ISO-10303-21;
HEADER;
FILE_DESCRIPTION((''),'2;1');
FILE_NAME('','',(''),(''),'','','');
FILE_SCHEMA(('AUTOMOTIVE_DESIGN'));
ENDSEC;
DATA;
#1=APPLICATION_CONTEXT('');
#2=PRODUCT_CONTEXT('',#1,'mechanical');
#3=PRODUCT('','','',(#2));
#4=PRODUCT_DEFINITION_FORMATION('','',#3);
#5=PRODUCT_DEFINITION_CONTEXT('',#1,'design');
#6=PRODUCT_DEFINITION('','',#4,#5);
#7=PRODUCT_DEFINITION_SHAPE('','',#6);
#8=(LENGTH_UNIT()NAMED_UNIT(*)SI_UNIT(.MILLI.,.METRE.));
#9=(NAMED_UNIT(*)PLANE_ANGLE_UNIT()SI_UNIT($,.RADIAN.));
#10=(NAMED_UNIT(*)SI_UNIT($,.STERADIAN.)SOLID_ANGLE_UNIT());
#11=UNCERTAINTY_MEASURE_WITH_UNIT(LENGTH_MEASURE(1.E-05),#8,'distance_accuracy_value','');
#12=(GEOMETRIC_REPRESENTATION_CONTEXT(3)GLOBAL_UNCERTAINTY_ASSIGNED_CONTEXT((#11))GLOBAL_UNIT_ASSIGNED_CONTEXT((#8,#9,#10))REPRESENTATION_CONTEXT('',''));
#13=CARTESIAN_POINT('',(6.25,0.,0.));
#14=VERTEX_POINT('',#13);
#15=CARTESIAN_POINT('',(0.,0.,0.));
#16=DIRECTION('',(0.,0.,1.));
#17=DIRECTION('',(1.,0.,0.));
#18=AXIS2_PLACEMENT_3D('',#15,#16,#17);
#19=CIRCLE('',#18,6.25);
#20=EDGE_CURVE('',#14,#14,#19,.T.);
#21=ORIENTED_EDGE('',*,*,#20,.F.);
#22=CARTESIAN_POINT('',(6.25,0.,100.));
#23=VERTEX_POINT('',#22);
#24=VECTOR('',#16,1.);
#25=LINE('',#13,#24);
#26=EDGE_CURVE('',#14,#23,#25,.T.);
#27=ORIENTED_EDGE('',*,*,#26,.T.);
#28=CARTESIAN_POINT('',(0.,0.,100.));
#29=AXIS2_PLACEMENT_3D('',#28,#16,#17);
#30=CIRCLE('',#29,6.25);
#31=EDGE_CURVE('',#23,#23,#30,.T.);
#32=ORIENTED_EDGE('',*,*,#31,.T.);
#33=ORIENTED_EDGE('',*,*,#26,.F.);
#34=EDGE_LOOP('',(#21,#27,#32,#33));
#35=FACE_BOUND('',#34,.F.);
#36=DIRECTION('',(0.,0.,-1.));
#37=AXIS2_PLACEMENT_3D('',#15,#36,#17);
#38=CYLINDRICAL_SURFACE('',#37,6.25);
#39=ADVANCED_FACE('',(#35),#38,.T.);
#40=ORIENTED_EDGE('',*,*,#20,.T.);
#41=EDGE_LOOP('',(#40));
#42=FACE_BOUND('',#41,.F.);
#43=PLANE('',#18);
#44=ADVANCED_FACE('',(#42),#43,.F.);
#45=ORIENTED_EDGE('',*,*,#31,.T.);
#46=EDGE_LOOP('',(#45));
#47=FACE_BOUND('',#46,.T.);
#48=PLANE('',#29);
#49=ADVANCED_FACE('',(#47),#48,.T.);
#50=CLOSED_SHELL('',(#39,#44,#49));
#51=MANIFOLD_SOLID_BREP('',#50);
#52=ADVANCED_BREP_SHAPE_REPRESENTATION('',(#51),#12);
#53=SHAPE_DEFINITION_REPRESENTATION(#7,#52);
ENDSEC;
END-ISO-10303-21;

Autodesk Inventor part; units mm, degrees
ref_plane "YZ Plane" through (0, 0, 0) normal (1, 0, 0) x (0, 1, 0)
ref_plane "XZ Plane" through (0, 0, 0) normal (0, 1, 0) x (-1, 0, 0)
ref_plane "XY Plane" through (0, 0, 0) normal (0, 0, 1) x (1, 0, 0)
sketch "Эскиз1" plane through (0, 0, 0) normal (0, 0, 1) x (1, 0, 0)
  circle A0 centre (0, 0) radius 6.25
  dimension "d0" = 12.5
extrude "Выдавливание1" add sketch "Эскиз1" along normal blind 100
properties part number "Оптический датчик"
